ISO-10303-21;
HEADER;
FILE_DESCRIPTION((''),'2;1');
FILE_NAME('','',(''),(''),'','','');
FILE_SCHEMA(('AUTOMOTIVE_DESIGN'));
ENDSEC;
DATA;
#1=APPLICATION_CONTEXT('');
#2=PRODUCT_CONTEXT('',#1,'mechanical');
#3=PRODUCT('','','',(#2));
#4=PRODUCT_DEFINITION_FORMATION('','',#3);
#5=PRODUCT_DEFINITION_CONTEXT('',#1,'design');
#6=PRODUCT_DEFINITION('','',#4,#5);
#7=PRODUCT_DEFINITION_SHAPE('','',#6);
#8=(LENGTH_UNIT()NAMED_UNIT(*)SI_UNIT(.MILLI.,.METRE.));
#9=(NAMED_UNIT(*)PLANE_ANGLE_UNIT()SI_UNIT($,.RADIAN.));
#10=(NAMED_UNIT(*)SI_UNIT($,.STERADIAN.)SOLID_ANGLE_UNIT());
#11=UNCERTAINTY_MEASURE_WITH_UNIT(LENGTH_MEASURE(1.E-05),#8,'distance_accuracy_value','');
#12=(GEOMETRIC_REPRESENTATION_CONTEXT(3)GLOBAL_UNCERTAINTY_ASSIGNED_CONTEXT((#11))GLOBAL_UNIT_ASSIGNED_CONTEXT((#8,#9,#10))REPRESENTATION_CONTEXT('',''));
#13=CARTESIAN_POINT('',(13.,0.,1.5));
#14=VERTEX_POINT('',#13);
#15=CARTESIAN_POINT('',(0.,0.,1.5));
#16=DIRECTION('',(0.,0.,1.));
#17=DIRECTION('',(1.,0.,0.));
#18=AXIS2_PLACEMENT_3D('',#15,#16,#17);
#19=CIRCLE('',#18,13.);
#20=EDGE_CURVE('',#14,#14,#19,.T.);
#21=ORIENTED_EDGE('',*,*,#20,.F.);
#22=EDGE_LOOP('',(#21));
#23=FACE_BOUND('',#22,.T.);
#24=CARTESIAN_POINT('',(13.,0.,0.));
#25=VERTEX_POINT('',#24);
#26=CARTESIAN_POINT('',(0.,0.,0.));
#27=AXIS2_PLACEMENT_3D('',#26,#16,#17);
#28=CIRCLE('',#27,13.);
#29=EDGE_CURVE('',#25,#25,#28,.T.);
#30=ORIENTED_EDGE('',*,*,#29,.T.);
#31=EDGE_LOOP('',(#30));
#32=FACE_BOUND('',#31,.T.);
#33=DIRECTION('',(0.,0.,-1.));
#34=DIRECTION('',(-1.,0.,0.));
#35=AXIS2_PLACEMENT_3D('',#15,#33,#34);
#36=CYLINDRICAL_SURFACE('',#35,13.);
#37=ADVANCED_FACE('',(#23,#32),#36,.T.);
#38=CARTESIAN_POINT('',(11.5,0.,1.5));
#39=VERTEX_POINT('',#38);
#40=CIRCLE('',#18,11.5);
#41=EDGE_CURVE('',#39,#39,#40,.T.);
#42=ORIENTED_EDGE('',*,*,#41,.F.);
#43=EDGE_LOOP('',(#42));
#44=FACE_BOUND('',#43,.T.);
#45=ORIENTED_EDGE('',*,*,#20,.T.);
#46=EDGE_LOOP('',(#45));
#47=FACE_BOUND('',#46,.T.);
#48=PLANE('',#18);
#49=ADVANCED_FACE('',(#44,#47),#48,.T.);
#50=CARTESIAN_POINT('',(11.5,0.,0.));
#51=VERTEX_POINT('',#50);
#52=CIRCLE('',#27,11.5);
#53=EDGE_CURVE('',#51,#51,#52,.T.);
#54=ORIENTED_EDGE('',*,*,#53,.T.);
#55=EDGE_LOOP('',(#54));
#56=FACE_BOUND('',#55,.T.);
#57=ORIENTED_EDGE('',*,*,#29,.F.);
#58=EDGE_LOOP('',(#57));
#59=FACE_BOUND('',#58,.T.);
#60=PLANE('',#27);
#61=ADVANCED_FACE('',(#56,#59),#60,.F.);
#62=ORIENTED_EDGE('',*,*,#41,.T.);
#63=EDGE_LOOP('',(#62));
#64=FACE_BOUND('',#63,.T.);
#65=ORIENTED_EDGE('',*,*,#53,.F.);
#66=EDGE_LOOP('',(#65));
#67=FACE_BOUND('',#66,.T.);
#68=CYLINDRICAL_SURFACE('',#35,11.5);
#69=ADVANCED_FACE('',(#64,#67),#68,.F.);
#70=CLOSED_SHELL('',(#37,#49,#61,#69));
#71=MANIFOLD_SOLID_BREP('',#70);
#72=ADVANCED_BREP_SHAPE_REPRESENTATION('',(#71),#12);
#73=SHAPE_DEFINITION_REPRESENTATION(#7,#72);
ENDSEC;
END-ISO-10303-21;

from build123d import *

# Parameters (mm, degrees)
SKETCH_1_R      = 13
SKETCH_1_R_2    = 11.5
EXTRUDE_1_DEPTH = 1.5


with BuildPart() as part:
    # Эскиз1 → Бобышка-Вытянуть1 (new body)
    with BuildSketch(Plane.XY):
        Circle(SKETCH_1_R)
        Circle(SKETCH_1_R_2, mode=Mode.SUBTRACT)
    extrude(amount=EXTRUDE_1_DEPTH)


solid = part.part
